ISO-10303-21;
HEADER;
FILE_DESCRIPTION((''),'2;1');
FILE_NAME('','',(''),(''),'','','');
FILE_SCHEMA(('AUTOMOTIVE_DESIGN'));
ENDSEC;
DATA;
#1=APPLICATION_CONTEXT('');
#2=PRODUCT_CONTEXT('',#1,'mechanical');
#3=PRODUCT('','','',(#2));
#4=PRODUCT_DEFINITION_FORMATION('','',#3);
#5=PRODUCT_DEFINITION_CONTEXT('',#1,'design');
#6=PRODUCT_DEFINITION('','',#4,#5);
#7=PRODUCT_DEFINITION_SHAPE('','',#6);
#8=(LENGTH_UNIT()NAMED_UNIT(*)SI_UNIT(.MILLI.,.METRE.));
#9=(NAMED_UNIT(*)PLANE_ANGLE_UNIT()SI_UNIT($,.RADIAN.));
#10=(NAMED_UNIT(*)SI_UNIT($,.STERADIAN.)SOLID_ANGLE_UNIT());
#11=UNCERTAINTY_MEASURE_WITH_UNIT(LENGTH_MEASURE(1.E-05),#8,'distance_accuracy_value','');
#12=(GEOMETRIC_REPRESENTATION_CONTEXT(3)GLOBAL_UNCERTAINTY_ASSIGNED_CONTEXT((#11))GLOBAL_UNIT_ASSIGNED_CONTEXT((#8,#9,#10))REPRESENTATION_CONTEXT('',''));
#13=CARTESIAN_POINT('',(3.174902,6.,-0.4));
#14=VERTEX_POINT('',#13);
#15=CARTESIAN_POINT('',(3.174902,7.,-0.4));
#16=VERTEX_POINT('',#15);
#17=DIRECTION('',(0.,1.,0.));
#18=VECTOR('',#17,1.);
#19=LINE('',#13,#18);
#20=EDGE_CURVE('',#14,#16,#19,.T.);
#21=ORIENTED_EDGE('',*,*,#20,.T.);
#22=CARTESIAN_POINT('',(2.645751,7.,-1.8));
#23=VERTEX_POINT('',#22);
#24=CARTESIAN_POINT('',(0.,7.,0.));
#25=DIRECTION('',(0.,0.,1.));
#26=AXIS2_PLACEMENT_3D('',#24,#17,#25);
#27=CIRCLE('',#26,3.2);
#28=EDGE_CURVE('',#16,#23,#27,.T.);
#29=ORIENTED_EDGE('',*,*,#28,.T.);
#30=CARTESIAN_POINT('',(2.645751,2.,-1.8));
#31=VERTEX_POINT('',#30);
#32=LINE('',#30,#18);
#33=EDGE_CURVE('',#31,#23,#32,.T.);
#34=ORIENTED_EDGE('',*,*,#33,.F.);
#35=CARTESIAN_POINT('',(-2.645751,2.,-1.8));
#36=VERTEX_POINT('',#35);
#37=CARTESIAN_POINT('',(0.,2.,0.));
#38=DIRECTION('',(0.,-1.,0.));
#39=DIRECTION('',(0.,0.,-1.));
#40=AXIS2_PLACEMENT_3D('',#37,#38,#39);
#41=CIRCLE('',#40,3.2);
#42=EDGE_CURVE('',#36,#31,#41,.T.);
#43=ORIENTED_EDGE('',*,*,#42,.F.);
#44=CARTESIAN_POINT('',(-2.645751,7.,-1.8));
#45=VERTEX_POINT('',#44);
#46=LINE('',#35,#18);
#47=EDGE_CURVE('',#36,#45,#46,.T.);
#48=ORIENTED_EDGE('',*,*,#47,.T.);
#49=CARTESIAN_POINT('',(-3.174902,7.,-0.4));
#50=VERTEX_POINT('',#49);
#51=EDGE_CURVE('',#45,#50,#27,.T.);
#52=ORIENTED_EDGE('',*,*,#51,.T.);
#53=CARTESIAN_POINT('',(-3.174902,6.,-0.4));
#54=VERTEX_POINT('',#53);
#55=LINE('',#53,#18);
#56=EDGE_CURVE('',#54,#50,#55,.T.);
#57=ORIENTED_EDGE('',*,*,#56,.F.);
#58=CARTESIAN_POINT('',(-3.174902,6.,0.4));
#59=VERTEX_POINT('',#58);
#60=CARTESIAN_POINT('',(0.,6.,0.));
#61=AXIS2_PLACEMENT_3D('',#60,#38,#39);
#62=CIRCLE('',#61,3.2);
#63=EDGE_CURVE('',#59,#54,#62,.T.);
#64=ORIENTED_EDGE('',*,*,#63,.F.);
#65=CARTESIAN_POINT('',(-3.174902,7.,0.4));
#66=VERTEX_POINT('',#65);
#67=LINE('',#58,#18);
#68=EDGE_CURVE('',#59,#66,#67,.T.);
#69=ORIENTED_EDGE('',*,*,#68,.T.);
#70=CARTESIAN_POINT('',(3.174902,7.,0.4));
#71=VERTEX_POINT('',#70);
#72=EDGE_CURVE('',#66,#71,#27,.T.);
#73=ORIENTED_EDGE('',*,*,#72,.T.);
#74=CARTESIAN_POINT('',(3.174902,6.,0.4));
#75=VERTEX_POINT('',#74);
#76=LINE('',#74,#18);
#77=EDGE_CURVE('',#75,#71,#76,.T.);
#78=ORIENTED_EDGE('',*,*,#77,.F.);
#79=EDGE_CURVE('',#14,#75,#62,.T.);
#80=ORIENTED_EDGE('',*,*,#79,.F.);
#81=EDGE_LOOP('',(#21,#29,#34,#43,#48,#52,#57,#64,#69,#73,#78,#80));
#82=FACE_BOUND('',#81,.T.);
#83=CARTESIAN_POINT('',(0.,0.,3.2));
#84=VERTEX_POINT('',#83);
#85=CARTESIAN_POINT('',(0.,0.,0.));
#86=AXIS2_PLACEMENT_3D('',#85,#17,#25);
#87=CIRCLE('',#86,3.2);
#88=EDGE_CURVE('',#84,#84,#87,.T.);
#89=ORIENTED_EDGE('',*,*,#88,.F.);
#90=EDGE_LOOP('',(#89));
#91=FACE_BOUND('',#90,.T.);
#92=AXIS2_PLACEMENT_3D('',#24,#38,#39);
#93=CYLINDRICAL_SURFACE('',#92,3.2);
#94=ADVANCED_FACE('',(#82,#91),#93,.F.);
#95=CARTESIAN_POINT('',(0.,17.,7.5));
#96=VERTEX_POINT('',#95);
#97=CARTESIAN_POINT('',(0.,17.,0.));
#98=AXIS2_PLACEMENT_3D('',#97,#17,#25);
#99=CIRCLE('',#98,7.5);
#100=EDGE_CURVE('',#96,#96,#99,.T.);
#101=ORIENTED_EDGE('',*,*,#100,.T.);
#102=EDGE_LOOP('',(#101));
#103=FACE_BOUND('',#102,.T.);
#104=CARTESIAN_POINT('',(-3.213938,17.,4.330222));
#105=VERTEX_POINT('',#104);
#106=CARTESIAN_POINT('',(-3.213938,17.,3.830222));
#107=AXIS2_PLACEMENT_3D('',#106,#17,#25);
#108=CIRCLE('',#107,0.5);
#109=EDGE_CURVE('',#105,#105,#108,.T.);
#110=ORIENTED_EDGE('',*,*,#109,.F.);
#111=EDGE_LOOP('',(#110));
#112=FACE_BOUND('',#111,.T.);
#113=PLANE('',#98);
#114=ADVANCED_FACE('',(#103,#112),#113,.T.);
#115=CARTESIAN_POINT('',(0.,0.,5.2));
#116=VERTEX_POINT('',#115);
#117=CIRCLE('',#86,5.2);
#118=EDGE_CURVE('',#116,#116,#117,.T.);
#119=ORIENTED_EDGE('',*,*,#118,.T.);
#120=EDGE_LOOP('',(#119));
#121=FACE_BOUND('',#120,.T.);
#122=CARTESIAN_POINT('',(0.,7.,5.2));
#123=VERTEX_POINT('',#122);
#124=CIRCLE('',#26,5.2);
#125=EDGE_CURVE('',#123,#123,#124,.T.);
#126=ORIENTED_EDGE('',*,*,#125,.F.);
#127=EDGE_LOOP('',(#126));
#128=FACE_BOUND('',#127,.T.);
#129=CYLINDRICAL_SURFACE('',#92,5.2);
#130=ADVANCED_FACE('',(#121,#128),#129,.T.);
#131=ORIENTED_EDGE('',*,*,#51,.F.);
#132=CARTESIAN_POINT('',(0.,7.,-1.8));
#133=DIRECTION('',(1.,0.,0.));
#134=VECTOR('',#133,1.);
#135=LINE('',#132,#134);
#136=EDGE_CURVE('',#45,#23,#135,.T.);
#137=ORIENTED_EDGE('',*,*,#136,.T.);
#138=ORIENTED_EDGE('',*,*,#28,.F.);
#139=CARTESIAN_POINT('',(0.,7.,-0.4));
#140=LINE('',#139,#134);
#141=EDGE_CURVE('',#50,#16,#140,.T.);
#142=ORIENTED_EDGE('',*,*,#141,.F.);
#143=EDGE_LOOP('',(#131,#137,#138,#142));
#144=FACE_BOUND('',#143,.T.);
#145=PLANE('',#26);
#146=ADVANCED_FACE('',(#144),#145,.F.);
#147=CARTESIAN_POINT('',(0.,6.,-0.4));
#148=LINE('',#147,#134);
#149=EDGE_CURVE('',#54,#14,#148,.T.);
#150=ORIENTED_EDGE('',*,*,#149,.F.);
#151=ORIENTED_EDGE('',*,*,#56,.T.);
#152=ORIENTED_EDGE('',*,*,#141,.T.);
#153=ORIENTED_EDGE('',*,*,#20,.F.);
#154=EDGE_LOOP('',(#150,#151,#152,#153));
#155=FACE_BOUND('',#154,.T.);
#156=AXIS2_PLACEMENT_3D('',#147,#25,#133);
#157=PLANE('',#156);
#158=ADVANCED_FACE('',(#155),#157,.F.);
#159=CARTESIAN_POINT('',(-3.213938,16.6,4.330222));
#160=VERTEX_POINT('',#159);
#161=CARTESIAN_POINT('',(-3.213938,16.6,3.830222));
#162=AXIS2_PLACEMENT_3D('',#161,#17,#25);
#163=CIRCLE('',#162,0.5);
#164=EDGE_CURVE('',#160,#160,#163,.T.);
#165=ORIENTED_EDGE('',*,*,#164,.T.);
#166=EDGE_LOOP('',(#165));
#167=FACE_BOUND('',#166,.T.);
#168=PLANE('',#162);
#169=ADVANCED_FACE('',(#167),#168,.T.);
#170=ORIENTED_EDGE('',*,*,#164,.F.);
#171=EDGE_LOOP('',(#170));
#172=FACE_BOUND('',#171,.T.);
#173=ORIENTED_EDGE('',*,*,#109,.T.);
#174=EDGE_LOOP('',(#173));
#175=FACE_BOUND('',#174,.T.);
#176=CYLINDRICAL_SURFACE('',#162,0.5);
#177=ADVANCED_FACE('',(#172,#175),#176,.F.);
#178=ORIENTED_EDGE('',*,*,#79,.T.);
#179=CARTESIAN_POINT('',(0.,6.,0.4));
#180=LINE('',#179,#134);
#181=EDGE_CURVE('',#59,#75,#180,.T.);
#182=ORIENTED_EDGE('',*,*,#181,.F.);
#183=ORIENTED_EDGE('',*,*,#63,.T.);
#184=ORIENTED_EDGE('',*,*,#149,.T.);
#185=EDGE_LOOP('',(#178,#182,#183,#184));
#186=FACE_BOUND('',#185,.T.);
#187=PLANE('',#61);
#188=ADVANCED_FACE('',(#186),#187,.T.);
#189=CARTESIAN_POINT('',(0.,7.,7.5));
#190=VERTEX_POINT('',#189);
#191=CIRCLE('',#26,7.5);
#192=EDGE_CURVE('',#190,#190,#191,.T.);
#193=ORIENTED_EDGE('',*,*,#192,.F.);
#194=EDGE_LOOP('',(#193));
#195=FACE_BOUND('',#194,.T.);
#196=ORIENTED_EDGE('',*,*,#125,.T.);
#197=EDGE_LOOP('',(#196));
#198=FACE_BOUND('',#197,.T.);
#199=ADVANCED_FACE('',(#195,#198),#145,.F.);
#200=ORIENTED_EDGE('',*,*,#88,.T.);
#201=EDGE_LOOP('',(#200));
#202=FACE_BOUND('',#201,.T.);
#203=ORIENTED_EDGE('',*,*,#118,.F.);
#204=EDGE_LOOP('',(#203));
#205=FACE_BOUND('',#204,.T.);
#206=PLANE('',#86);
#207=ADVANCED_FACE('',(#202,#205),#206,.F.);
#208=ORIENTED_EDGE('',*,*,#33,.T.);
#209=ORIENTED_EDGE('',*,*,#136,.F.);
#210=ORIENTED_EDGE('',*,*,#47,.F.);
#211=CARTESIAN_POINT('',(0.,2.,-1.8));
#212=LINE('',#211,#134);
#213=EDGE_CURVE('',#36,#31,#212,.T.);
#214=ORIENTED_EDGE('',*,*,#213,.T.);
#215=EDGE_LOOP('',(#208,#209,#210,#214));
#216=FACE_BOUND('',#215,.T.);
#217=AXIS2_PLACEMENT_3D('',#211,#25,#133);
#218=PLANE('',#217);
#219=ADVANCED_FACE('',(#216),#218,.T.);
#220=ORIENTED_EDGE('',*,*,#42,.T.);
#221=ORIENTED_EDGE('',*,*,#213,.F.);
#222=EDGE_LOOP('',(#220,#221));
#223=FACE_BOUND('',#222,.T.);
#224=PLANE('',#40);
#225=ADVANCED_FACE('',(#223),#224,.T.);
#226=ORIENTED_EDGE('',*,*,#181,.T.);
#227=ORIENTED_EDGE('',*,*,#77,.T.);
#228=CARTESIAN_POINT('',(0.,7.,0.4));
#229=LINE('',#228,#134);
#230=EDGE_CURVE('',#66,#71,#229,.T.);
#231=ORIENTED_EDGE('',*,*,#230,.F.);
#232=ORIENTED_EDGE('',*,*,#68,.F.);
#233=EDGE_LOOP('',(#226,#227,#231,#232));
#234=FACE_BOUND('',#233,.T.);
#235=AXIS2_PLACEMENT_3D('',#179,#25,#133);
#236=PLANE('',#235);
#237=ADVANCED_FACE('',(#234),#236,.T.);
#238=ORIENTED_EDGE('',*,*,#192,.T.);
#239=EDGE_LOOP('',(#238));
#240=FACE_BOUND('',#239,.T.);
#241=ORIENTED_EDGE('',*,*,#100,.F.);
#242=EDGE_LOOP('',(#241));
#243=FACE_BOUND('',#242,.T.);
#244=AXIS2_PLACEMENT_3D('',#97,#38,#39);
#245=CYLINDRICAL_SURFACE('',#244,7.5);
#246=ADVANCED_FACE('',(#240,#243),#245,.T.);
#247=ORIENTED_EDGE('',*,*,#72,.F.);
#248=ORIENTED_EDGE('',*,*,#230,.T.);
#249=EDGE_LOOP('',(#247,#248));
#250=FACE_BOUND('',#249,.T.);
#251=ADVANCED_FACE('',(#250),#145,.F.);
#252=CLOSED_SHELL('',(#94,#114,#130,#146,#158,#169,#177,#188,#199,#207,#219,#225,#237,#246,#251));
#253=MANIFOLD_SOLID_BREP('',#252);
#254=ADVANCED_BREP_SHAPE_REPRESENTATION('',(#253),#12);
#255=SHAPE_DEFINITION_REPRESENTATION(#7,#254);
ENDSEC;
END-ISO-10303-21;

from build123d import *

# Parameters (mm, degrees)
SKETCH1_R           = 5.2
SKETCH1_R_2         = 3.2
BOSS_EXTRUDE1_DEPTH = 7
SKETCH2_R           = 7.5
BOSS_EXTRUDE2_DEPTH = 10
BOSS_EXTRUDE3_START = 1
BOSS_EXTRUDE3_DEPTH = 1
BOSS_EXTRUDE4_START = 5
BOSS_EXTRUDE4_DEPTH = 5
SKETCH5_R           = 0.5
CUT_EXTRUDE1_DEPTH  = 0.4


with BuildPart() as part:
    # Sketch1 → Boss-Extrude1 (new body)
    with BuildSketch(Plane(origin=(0, 0, 0), x_dir=(1, 0, 0), z_dir=(0, 1, 0))):
        with Locations(Location((0, 0, 0), (0, 0, 270))):
            Circle(SKETCH1_R)
        with Locations(Location((0, 0, 0), (0, 0, 270))):
            Circle(SKETCH1_R_2, mode=Mode.SUBTRACT)
    extrude(amount=BOSS_EXTRUDE1_DEPTH)

    # Sketch2 → Boss-Extrude2 (add)
    with BuildSketch(Plane(origin=(0, 7, 0), x_dir=(1, 0, 0), z_dir=(0, 1, 0))):
        with Locations(Location((0, 0, 0), (0, 0, 270))):
            Circle(SKETCH2_R)
    extrude(amount=BOSS_EXTRUDE2_DEPTH)

    # Sketch3 → Boss-Extrude3 (add)
    with BuildSketch(Plane.XZ.offset(-7).offset(BOSS_EXTRUDE3_START)):
        with BuildLine():
            Line((3.174901573, 0.4), (-3.174901573, 0.4))
            ThreePointArc((-3.174901573, 0.4), (-3.19371923, 0.20039332), (-3.2, 0))
            ThreePointArc((-3.2, 0), (-3.19371923, -0.20039332), (-3.174901573, -0.4))
            Line((-3.174901573, -0.4), (3.174901573, -0.4))
            ThreePointArc((3.174901573, -0.4), (3.19371923, -0.20039332), (3.2, 0))
            ThreePointArc((3.2, 0), (3.19371923, 0.20039332), (3.174901573, 0.4))
        make_face()
    extrude(amount=-BOSS_EXTRUDE3_DEPTH)

    # Sketch4 → Boss-Extrude4 (add)
    with BuildSketch(Plane.XZ.offset(-7).offset(BOSS_EXTRUDE4_START)):
        with BuildLine():
            Line((2.645751311, -1.8), (-2.645751311, -1.8))
            ThreePointArc((-2.645751311, -1.8), (0, -3.2), (2.645751311, -1.8))
        make_face()
    extrude(amount=-BOSS_EXTRUDE4_DEPTH)

    # Sketch5 → Cut-Extrude1 (cut)
    with BuildSketch(Plane(origin=(0, 17, 0), x_dir=(1, 0, 0), z_dir=(0, 1, 0))):
        with Locations(Location((-3.213938048, -3.830222216, 0), (0, 0, 270))):
            Circle(SKETCH5_R)
    extrude(amount=-CUT_EXTRUDE1_DEPTH, mode=Mode.SUBTRACT)


solid = part.part
